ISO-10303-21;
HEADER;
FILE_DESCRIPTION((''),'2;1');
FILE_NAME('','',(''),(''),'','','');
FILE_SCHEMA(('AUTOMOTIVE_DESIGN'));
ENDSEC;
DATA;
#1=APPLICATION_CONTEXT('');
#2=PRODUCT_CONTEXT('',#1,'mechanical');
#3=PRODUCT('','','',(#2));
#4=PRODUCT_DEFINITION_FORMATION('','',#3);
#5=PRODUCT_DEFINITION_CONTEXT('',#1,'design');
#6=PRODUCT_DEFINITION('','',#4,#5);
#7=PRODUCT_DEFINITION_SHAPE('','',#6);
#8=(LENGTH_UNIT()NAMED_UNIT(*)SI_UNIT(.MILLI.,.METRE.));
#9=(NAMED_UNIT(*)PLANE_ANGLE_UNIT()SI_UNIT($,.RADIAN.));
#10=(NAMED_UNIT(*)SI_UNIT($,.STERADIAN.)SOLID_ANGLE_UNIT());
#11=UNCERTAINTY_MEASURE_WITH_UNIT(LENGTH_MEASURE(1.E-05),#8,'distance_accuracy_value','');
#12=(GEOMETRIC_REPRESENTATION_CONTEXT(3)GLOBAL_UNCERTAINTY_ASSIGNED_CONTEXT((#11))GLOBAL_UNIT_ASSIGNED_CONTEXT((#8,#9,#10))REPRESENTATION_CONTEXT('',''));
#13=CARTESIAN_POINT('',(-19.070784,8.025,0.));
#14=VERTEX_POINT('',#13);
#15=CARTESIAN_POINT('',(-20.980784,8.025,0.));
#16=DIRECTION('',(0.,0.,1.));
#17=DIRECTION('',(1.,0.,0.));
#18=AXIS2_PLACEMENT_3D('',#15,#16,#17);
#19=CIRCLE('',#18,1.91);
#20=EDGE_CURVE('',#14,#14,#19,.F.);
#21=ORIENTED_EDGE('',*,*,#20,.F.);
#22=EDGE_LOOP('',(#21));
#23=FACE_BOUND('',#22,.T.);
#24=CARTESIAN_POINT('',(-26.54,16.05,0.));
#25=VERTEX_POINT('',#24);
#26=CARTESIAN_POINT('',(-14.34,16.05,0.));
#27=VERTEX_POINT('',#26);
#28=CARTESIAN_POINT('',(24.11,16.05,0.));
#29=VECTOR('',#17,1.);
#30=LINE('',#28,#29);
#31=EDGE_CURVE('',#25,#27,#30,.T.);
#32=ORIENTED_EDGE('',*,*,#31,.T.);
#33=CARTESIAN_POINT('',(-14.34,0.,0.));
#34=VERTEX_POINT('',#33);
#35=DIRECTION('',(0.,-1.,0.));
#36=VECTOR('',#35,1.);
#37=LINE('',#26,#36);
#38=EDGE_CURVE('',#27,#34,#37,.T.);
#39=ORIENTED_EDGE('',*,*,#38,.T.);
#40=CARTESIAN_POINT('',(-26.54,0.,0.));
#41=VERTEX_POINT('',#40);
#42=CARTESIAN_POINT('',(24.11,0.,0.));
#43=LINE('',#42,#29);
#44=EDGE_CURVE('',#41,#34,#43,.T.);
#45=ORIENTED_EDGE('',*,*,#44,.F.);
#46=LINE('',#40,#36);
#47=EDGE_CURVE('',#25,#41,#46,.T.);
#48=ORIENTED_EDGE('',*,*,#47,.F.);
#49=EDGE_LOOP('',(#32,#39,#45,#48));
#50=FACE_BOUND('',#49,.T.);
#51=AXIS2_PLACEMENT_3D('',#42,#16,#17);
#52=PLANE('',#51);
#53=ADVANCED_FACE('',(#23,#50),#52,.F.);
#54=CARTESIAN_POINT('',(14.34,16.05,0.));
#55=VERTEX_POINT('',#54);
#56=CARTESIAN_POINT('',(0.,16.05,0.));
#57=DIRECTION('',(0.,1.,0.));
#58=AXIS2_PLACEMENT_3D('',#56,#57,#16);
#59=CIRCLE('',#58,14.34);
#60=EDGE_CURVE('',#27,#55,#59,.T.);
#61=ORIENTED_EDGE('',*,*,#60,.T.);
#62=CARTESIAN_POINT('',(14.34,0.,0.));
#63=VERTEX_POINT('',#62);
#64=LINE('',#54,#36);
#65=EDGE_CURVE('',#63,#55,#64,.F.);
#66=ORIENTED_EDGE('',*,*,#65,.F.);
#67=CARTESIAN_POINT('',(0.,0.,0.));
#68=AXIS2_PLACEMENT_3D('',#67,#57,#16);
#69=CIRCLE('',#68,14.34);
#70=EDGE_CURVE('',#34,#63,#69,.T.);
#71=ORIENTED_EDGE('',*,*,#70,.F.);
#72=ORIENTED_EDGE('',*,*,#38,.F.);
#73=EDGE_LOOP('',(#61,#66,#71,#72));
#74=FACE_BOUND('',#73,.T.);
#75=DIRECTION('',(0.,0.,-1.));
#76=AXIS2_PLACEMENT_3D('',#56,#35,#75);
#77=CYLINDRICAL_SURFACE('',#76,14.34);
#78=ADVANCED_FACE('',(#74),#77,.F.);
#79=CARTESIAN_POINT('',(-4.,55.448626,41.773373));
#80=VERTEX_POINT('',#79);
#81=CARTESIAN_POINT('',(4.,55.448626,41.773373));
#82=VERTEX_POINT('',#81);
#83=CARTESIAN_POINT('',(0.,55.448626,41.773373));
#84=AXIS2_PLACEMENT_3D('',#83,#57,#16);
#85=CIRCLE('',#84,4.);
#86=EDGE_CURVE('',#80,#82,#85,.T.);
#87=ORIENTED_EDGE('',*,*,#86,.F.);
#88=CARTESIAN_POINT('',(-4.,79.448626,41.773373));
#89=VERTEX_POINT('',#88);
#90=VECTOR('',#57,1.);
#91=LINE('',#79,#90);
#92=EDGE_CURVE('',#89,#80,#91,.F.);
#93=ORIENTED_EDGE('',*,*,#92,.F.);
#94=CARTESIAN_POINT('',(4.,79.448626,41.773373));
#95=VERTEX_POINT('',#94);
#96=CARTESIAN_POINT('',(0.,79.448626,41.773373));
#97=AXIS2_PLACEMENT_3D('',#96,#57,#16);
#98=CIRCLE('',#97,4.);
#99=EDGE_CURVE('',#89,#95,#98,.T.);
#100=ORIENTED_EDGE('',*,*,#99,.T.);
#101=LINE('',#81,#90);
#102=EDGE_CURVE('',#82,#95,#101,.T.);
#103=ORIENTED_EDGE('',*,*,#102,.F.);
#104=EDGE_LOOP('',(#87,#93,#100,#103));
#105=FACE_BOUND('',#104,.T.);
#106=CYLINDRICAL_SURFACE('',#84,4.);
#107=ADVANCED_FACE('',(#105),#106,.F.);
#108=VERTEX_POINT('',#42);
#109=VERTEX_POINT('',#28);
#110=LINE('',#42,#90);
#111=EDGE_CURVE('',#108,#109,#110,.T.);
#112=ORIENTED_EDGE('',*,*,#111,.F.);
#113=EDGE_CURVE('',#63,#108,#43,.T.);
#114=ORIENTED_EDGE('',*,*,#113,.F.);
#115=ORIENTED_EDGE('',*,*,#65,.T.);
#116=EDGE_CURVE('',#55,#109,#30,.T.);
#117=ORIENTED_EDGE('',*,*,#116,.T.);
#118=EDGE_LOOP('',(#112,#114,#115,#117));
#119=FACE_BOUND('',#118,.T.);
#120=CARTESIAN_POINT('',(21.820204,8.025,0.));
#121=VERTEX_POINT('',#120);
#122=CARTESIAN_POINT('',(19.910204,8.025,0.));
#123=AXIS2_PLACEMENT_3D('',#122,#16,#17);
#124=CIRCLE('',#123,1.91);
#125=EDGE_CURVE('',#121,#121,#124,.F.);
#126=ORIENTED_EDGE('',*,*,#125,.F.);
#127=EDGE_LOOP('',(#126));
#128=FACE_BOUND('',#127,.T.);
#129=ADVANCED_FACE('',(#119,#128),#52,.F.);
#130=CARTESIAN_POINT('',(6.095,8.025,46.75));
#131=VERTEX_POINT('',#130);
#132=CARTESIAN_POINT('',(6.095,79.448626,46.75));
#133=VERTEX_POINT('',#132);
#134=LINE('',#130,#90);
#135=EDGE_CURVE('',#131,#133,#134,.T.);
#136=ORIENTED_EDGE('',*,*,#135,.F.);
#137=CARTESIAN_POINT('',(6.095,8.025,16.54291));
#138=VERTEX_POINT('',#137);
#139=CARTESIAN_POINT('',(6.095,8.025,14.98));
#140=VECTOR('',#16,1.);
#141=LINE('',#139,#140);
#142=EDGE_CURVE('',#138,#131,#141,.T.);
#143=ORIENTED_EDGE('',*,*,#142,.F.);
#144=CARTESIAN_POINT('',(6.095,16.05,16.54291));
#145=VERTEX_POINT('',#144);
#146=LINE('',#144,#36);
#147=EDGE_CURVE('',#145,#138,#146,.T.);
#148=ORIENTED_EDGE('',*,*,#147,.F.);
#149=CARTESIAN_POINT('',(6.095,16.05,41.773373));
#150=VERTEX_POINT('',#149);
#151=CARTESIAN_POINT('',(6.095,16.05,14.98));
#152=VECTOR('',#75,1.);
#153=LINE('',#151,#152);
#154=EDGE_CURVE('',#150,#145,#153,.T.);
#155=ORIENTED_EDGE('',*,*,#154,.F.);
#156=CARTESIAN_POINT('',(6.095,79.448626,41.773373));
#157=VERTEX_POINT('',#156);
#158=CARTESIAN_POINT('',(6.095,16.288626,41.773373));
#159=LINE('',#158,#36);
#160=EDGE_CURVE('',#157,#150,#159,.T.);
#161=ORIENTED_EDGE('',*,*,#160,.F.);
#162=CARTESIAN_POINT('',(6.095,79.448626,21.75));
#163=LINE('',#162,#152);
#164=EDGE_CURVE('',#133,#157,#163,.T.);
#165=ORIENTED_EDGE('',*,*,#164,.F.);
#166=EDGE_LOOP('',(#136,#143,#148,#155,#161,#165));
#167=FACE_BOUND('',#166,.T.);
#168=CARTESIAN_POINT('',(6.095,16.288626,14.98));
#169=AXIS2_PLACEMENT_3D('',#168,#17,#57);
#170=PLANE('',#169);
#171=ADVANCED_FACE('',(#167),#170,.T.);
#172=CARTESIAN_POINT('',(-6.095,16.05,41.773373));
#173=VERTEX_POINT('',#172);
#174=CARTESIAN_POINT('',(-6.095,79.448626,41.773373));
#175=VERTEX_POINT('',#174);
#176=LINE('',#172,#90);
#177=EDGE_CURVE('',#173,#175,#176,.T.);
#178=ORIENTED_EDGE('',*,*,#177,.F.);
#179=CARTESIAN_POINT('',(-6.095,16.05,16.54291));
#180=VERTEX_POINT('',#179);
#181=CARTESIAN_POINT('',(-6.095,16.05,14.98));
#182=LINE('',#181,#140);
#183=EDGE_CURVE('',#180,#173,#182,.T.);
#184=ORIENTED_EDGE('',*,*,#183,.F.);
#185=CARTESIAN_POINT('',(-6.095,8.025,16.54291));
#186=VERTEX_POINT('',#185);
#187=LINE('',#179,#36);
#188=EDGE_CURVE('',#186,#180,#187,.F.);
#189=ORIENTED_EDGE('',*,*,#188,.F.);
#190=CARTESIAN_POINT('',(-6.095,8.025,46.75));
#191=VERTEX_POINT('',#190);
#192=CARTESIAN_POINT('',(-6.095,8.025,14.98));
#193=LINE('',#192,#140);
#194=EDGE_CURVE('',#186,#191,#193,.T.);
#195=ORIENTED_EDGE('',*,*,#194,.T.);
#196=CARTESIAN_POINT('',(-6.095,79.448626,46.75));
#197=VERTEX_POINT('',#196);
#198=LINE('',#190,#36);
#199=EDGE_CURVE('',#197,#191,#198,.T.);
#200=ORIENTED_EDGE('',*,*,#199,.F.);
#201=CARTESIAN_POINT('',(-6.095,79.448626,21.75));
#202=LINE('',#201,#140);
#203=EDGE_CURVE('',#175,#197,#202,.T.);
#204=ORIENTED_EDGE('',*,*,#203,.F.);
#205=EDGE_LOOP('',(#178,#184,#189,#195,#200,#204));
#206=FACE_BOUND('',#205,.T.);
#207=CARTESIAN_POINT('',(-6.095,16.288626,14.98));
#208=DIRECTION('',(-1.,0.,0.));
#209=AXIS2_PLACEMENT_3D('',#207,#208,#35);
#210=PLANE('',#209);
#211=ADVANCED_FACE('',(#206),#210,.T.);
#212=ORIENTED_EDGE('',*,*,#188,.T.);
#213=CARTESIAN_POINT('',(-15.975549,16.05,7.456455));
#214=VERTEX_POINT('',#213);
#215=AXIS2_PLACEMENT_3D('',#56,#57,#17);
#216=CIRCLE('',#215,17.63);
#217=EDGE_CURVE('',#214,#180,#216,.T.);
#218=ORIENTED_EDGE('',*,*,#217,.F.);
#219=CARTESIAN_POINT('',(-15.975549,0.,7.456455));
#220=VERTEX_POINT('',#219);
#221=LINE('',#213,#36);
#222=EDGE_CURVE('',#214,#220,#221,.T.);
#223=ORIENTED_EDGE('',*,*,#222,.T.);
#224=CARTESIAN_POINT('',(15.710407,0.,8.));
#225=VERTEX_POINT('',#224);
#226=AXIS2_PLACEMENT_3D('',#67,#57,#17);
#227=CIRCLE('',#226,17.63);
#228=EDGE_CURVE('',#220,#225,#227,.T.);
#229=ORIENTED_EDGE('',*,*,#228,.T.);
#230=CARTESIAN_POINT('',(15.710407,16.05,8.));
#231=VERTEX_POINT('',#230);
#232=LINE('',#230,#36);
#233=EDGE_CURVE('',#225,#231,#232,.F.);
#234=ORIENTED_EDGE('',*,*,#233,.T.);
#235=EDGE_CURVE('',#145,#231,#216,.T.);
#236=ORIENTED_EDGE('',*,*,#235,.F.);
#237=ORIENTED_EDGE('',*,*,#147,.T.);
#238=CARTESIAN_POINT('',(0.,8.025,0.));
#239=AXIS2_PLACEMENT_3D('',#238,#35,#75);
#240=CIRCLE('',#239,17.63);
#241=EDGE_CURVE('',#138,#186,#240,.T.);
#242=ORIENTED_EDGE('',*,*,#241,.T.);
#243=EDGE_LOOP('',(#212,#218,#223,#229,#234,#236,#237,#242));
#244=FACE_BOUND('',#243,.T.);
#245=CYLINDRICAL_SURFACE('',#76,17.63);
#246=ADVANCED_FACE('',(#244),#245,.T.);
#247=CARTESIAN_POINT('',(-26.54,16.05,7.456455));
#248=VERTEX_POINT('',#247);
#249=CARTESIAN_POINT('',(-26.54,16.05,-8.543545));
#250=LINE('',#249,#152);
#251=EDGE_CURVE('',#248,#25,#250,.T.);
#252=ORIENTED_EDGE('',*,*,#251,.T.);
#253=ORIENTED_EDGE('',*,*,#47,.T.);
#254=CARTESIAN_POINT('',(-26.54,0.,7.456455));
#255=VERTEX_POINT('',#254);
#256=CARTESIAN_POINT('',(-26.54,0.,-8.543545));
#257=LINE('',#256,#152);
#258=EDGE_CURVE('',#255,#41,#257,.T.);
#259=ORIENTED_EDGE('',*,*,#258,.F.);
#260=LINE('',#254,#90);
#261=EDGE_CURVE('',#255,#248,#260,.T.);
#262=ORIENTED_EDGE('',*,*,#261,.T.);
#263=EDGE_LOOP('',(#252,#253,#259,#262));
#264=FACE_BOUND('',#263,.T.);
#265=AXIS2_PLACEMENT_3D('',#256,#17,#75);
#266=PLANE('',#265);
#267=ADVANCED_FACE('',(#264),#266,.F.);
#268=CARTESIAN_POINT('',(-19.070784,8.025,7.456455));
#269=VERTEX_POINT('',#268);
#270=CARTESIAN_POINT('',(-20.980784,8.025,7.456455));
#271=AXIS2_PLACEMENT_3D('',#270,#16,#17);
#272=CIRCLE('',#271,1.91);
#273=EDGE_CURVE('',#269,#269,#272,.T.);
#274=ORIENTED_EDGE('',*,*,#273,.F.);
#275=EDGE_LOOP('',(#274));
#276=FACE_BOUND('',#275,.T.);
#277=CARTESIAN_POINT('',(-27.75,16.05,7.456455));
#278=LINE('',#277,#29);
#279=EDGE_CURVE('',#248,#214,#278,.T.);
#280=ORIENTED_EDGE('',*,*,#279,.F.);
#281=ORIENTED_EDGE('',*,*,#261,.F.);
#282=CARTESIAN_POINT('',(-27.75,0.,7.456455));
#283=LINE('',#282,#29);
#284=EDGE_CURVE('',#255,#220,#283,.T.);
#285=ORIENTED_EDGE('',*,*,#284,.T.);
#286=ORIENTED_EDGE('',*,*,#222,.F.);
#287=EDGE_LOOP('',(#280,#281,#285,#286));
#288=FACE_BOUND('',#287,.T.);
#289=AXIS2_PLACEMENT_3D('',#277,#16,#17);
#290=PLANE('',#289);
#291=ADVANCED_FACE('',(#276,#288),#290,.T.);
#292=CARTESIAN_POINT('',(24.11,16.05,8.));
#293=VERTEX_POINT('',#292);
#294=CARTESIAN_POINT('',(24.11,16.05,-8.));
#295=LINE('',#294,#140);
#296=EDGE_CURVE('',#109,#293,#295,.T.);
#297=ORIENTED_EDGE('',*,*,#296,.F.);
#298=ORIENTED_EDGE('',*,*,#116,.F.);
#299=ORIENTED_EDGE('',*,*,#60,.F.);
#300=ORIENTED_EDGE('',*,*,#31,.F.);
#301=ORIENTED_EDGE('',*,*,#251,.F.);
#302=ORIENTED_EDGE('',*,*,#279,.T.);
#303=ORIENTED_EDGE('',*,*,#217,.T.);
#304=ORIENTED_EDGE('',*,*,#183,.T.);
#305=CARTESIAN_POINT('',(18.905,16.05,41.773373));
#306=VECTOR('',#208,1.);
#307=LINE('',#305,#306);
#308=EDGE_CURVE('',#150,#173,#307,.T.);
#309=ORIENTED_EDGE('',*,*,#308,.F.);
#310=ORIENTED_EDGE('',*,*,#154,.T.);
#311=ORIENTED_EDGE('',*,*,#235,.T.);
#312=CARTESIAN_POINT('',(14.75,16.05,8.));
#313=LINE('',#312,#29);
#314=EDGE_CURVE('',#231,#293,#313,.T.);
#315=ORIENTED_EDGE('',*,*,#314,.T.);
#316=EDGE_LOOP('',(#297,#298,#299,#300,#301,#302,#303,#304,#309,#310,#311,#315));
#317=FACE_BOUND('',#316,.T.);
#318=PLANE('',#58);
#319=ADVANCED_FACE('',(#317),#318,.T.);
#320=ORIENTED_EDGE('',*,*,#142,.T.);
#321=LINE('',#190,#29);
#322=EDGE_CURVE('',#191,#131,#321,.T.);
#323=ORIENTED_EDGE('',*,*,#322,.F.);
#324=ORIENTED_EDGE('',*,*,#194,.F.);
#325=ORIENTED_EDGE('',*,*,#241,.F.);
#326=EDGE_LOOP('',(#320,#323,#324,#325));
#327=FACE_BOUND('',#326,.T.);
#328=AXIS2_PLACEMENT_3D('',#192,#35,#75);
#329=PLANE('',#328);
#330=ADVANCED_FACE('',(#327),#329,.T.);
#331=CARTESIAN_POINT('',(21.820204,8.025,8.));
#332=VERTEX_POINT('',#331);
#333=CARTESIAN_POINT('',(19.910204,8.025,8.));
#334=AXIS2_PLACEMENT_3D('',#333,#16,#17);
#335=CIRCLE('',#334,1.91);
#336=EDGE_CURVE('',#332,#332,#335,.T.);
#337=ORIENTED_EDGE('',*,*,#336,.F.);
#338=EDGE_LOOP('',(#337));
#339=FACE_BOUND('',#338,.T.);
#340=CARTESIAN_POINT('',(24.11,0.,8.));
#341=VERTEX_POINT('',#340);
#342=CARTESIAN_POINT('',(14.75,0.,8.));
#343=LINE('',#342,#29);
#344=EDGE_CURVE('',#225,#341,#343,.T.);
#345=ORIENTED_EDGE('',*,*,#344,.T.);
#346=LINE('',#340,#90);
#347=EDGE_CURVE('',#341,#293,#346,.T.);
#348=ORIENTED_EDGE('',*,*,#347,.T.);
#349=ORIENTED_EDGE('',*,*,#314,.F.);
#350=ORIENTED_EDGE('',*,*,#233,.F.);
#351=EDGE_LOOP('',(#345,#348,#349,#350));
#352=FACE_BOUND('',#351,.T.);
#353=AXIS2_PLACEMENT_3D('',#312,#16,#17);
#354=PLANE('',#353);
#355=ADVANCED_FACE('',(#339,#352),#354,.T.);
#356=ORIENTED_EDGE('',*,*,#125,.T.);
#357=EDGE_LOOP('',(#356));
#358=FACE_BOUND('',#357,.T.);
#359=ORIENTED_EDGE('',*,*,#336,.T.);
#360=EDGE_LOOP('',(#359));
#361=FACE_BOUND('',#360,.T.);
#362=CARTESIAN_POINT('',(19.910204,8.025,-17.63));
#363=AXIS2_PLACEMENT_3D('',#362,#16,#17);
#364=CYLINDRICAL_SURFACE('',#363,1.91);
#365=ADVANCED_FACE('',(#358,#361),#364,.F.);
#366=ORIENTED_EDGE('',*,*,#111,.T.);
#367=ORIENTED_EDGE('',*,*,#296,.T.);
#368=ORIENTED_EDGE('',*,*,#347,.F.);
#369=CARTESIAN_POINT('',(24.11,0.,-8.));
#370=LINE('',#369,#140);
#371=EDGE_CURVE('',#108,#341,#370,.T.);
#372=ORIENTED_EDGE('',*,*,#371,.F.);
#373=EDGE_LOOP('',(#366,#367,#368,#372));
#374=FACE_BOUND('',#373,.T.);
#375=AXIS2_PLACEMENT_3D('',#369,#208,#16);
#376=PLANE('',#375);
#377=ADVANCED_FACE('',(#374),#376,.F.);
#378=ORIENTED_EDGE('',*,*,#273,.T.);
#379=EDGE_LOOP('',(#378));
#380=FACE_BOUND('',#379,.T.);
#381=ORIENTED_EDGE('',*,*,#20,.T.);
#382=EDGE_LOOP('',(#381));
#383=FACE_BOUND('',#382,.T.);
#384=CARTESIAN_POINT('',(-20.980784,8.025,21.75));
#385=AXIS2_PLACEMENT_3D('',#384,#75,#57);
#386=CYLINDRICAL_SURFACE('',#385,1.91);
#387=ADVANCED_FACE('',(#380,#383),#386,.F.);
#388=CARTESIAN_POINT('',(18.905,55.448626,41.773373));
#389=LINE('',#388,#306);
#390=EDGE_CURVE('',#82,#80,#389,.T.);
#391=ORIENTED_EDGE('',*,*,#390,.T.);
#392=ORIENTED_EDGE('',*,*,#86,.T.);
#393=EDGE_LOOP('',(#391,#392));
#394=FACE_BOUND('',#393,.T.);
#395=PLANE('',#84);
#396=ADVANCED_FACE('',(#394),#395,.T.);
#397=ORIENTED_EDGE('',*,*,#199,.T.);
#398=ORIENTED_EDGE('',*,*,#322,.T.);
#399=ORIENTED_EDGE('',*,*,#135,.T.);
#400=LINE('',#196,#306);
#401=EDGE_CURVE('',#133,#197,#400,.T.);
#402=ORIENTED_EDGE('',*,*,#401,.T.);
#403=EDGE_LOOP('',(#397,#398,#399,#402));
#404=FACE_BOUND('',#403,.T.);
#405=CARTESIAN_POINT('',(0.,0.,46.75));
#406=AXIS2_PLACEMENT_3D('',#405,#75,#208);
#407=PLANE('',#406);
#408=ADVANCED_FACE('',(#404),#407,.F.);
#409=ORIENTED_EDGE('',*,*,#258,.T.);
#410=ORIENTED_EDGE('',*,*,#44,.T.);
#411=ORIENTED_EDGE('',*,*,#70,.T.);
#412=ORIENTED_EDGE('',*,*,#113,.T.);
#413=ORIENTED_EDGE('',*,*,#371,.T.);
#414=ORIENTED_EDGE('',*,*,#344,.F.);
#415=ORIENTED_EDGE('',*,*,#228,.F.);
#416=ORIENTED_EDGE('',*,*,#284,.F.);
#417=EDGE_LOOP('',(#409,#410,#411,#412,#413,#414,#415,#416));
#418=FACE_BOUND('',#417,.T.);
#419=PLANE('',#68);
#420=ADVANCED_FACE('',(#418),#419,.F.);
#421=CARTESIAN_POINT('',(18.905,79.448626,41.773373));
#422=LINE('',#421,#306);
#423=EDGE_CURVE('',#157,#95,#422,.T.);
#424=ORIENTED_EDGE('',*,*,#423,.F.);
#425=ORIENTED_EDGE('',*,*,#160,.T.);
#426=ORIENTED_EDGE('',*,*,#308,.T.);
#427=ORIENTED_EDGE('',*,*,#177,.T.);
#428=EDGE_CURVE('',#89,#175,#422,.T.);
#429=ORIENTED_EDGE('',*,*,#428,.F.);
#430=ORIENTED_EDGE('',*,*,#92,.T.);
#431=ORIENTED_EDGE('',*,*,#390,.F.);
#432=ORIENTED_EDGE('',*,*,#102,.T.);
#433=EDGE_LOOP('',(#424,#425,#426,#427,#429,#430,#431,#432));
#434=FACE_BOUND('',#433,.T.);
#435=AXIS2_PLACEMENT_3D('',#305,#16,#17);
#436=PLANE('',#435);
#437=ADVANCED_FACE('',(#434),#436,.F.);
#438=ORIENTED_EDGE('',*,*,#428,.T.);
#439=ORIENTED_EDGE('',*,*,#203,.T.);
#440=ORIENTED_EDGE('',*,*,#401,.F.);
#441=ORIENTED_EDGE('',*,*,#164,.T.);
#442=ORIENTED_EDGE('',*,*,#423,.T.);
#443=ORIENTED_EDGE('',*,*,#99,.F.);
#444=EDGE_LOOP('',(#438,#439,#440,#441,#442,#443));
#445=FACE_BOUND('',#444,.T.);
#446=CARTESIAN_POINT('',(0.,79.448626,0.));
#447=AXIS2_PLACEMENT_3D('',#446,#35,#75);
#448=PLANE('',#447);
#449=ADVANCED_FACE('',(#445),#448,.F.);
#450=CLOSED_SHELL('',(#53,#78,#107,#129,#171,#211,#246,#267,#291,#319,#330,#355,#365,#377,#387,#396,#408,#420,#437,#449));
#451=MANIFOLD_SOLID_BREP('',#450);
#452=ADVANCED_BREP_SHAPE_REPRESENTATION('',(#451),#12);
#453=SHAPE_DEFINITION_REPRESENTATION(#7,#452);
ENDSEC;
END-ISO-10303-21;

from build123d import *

# Parameters (mm, degrees)
SKETCH_1_R             = 17.63
SKETCH_1_R_2           = 14.34
EXTRUDE_1_DEPTH        = 16.05
EXTRUDE_1_2_DEPTH      = 9.77
EXTRUDE_1_2_DEPTH_BACK = 3
SKETCH_2_W             = 16
SKETCH_2_H             = 16.05
SKETCH_3_W             = 3.41
SKETCH_3_H             = 16
CUT_EXTRUDE_1_DEPTH    = 37.411121927
SKETCH_4_R             = 1.91
CUT_EXTRUDE_2_DEPTH    = 39.675463798
EXTRUDE_2_DEPTH        = 4
EXTRUDE_2_DEPTH_BACK   = 2.77
SKETCH_5_W             = 12.19
SKETCH_5_H             = 8.263625949
SKETCH_6_W             = 12.19
SKETCH_6_H             = 6.77
EXTRUDE_3_DEPTH        = 63
SKETCH_8_W             = 12.19
SKETCH_8_H             = 6.77
EXTRUDE_4_DEPTH        = 0.16
EXTRUDE_5_DEPTH        = 3.16
EXTRUDE_5_DEPTH_BACK   = 10
SKETCH_12_W            = 16
SKETCH_12_H            = 16.05
SKETCH_13_W            = 1.21
SKETCH_13_H            = 16
CUT_EXTRUDE_3_DEPTH    = 73.543164889
SKETCH_14_R            = 1.91
CUT_EXTRUDE_4_DEPTH    = 90.07387176
SKETCH_15_R            = 4.05
CUT_EXTRUDE_5_DEPTH    = 24
SKETCH_16_W            = 56.400519221
SKETCH_16_H            = 19.935010357
CUT_EXTRUDE_6_DEPTH    = 73.088971918
SKETCH_17_W            = 12.19
SKETCH_17_H            = 71.423625949
EXTRUDE_7_DEPTH        = 25
SKETCH_18_W            = 26.793372528
SKETCH_18_H            = 63.398625949
CUT_EXTRUDE_7_DEPTH    = 25
SKETCH_19_R            = 4
CUT_EXTRUDE_8_DEPTH    = 24


with BuildPart() as part:
    # 草圖1 → Extrude 1 (new body)
    with BuildSketch(Plane(origin=(0, 0, 0), x_dir=(1, 0, 0), z_dir=(0, 1, 0))):
        Circle(SKETCH_1_R)
        Circle(SKETCH_1_R_2, mode=Mode.SUBTRACT)
    extrude(amount=EXTRUDE_1_DEPTH)

    # 草圖2 → Extrude 1 2 (add, two sides: drawn at the far end of the back side and taken through both)
    with BuildSketch(Plane(origin=(17.75, 0, 0), x_dir=(0, 0, -1), z_dir=(1, 0, 0)).offset(-EXTRUDE_1_2_DEPTH_BACK)):
        with Locations((0, 8.025)):
            Rectangle(SKETCH_2_W, SKETCH_2_H)
    extrude(amount=EXTRUDE_1_2_DEPTH + EXTRUDE_1_2_DEPTH_BACK)

    # 草圖3 → 除料-伸長1 (cut, through all)
    with BuildSketch(Plane(origin=(0, 16.05, 0), x_dir=(1, 0, 0), z_dir=(0, 1, 0))):
        with Locations((25.815, 0)):
            Rectangle(SKETCH_3_W, SKETCH_3_H)
    extrude(amount=-CUT_EXTRUDE_1_DEPTH, mode=Mode.SUBTRACT)

    # 草圖4 → 除料-伸長2 (cut, through all)
    with BuildSketch(Plane.XY.offset(8)):
        with Locations((19.910203689, 8.025)):
            Circle(SKETCH_4_R)
    extrude(amount=-CUT_EXTRUDE_2_DEPTH, mode=Mode.SUBTRACT)

    # 草圖5 → 填料-伸長2 (add, two sides: drawn at the far end of the back side and taken through both)
    with BuildSketch(Plane.XY.offset(17.75).offset(-EXTRUDE_2_DEPTH_BACK)):
        with Locations((0, 12.156812974)):
            Rectangle(SKETCH_5_W, SKETCH_5_H)
    extrude(amount=EXTRUDE_2_DEPTH + EXTRUDE_2_DEPTH_BACK)

    # 草圖6 → 填料-伸長3 (add)
    with BuildSketch(Plane(origin=(0, 16.288625949, 0), x_dir=(1, 0, 0), z_dir=(0, 1, 0))):
        with Locations((0, -18.365)):
            Rectangle(SKETCH_6_W, SKETCH_6_H)
    extrude(amount=EXTRUDE_3_DEPTH)

    # 草圖8 → 填料-伸長4 (add)
    with BuildSketch(Plane(origin=(0, 79.288625949, 0), x_dir=(1, 0, 0), z_dir=(0, 1, 0))):
        with Locations((0, -18.365)):
            Rectangle(SKETCH_8_W, SKETCH_8_H)
    extrude(amount=EXTRUDE_4_DEPTH)

    # 草圖12 → 填料-伸長5 (add, two sides: drawn at the far end of the back side and taken through both)
    with BuildSketch(Plane(origin=(-17.75, 0, 0), x_dir=(0, 0, -1), z_dir=(1, 0, 0)).offset(-EXTRUDE_5_DEPTH_BACK)):
        with Locations((0.543544944, 8.025)):
            Rectangle(SKETCH_12_W, SKETCH_12_H)
    extrude(amount=EXTRUDE_5_DEPTH + EXTRUDE_5_DEPTH_BACK)

    # 草圖13 → 除料-伸長3 (cut, through all)
    with BuildSketch(Plane(origin=(0, 16.05, 0), x_dir=(1, 0, 0), z_dir=(0, 1, 0))):
        with Locations((-27.145, 0.543544944)):
            Rectangle(SKETCH_13_W, SKETCH_13_H)
    extrude(amount=-CUT_EXTRUDE_3_DEPTH, mode=Mode.SUBTRACT)

    # 草圖14 → 除料-伸長4 (cut, through all)
    with BuildSketch(Plane(origin=(0, 0, -8.543544944), x_dir=(-1, 0, 0), z_dir=(0, 0, -1))):
        with Locations(Location((20.980783679, 8.025, 0), (0, 0, 90))):
            Circle(SKETCH_14_R)
    extrude(amount=-CUT_EXTRUDE_4_DEPTH, mode=Mode.SUBTRACT)

    # 草圖15 → 除料-伸長5 (cut)
    with BuildSketch(Plane(origin=(0, 79.448625949, 0), x_dir=(1, 0, 0), z_dir=(0, 1, 0))):
        with Locations((0, -14.98)):
            Circle(SKETCH_15_R)
    extrude(amount=-CUT_EXTRUDE_5_DEPTH, mode=Mode.SUBTRACT)

    # 草圖16 → 除料-伸長6 (cut, through all)
    with BuildSketch(Plane(origin=(0, 16.05, 0), x_dir=(1, 0, 0), z_dir=(0, 1, 0))):
        with Locations((-4.090259611, 9.967505179)):
            Rectangle(SKETCH_16_W, SKETCH_16_H)
    extrude(amount=-CUT_EXTRUDE_6_DEPTH, mode=Mode.SUBTRACT)

    # 草圖17 → 填料-伸長7 (add)
    with BuildSketch(Plane.XY.offset(21.75)):
        with Locations((0, 43.736812975)):
            Rectangle(SKETCH_17_W, SKETCH_17_H)
    extrude(amount=EXTRUDE_7_DEPTH)

    # 草圖18 → 除料-伸長7 (cut)
    with BuildSketch(Plane.ZY.offset(6.095)):
        with Locations((28.376686264, 47.749312975)):
            Rectangle(SKETCH_18_W, SKETCH_18_H)
    extrude(amount=-CUT_EXTRUDE_7_DEPTH, mode=Mode.SUBTRACT)

    # 草圖19 → 除料-伸長8 (cut)
    with BuildSketch(Plane(origin=(0, 79.448625949, 0), x_dir=(1, 0, 0), z_dir=(0, 1, 0))):
        with Locations((0, -41.773372528)):
            Circle(SKETCH_19_R)
    extrude(amount=-CUT_EXTRUDE_8_DEPTH, mode=Mode.SUBTRACT)


solid = part.part
